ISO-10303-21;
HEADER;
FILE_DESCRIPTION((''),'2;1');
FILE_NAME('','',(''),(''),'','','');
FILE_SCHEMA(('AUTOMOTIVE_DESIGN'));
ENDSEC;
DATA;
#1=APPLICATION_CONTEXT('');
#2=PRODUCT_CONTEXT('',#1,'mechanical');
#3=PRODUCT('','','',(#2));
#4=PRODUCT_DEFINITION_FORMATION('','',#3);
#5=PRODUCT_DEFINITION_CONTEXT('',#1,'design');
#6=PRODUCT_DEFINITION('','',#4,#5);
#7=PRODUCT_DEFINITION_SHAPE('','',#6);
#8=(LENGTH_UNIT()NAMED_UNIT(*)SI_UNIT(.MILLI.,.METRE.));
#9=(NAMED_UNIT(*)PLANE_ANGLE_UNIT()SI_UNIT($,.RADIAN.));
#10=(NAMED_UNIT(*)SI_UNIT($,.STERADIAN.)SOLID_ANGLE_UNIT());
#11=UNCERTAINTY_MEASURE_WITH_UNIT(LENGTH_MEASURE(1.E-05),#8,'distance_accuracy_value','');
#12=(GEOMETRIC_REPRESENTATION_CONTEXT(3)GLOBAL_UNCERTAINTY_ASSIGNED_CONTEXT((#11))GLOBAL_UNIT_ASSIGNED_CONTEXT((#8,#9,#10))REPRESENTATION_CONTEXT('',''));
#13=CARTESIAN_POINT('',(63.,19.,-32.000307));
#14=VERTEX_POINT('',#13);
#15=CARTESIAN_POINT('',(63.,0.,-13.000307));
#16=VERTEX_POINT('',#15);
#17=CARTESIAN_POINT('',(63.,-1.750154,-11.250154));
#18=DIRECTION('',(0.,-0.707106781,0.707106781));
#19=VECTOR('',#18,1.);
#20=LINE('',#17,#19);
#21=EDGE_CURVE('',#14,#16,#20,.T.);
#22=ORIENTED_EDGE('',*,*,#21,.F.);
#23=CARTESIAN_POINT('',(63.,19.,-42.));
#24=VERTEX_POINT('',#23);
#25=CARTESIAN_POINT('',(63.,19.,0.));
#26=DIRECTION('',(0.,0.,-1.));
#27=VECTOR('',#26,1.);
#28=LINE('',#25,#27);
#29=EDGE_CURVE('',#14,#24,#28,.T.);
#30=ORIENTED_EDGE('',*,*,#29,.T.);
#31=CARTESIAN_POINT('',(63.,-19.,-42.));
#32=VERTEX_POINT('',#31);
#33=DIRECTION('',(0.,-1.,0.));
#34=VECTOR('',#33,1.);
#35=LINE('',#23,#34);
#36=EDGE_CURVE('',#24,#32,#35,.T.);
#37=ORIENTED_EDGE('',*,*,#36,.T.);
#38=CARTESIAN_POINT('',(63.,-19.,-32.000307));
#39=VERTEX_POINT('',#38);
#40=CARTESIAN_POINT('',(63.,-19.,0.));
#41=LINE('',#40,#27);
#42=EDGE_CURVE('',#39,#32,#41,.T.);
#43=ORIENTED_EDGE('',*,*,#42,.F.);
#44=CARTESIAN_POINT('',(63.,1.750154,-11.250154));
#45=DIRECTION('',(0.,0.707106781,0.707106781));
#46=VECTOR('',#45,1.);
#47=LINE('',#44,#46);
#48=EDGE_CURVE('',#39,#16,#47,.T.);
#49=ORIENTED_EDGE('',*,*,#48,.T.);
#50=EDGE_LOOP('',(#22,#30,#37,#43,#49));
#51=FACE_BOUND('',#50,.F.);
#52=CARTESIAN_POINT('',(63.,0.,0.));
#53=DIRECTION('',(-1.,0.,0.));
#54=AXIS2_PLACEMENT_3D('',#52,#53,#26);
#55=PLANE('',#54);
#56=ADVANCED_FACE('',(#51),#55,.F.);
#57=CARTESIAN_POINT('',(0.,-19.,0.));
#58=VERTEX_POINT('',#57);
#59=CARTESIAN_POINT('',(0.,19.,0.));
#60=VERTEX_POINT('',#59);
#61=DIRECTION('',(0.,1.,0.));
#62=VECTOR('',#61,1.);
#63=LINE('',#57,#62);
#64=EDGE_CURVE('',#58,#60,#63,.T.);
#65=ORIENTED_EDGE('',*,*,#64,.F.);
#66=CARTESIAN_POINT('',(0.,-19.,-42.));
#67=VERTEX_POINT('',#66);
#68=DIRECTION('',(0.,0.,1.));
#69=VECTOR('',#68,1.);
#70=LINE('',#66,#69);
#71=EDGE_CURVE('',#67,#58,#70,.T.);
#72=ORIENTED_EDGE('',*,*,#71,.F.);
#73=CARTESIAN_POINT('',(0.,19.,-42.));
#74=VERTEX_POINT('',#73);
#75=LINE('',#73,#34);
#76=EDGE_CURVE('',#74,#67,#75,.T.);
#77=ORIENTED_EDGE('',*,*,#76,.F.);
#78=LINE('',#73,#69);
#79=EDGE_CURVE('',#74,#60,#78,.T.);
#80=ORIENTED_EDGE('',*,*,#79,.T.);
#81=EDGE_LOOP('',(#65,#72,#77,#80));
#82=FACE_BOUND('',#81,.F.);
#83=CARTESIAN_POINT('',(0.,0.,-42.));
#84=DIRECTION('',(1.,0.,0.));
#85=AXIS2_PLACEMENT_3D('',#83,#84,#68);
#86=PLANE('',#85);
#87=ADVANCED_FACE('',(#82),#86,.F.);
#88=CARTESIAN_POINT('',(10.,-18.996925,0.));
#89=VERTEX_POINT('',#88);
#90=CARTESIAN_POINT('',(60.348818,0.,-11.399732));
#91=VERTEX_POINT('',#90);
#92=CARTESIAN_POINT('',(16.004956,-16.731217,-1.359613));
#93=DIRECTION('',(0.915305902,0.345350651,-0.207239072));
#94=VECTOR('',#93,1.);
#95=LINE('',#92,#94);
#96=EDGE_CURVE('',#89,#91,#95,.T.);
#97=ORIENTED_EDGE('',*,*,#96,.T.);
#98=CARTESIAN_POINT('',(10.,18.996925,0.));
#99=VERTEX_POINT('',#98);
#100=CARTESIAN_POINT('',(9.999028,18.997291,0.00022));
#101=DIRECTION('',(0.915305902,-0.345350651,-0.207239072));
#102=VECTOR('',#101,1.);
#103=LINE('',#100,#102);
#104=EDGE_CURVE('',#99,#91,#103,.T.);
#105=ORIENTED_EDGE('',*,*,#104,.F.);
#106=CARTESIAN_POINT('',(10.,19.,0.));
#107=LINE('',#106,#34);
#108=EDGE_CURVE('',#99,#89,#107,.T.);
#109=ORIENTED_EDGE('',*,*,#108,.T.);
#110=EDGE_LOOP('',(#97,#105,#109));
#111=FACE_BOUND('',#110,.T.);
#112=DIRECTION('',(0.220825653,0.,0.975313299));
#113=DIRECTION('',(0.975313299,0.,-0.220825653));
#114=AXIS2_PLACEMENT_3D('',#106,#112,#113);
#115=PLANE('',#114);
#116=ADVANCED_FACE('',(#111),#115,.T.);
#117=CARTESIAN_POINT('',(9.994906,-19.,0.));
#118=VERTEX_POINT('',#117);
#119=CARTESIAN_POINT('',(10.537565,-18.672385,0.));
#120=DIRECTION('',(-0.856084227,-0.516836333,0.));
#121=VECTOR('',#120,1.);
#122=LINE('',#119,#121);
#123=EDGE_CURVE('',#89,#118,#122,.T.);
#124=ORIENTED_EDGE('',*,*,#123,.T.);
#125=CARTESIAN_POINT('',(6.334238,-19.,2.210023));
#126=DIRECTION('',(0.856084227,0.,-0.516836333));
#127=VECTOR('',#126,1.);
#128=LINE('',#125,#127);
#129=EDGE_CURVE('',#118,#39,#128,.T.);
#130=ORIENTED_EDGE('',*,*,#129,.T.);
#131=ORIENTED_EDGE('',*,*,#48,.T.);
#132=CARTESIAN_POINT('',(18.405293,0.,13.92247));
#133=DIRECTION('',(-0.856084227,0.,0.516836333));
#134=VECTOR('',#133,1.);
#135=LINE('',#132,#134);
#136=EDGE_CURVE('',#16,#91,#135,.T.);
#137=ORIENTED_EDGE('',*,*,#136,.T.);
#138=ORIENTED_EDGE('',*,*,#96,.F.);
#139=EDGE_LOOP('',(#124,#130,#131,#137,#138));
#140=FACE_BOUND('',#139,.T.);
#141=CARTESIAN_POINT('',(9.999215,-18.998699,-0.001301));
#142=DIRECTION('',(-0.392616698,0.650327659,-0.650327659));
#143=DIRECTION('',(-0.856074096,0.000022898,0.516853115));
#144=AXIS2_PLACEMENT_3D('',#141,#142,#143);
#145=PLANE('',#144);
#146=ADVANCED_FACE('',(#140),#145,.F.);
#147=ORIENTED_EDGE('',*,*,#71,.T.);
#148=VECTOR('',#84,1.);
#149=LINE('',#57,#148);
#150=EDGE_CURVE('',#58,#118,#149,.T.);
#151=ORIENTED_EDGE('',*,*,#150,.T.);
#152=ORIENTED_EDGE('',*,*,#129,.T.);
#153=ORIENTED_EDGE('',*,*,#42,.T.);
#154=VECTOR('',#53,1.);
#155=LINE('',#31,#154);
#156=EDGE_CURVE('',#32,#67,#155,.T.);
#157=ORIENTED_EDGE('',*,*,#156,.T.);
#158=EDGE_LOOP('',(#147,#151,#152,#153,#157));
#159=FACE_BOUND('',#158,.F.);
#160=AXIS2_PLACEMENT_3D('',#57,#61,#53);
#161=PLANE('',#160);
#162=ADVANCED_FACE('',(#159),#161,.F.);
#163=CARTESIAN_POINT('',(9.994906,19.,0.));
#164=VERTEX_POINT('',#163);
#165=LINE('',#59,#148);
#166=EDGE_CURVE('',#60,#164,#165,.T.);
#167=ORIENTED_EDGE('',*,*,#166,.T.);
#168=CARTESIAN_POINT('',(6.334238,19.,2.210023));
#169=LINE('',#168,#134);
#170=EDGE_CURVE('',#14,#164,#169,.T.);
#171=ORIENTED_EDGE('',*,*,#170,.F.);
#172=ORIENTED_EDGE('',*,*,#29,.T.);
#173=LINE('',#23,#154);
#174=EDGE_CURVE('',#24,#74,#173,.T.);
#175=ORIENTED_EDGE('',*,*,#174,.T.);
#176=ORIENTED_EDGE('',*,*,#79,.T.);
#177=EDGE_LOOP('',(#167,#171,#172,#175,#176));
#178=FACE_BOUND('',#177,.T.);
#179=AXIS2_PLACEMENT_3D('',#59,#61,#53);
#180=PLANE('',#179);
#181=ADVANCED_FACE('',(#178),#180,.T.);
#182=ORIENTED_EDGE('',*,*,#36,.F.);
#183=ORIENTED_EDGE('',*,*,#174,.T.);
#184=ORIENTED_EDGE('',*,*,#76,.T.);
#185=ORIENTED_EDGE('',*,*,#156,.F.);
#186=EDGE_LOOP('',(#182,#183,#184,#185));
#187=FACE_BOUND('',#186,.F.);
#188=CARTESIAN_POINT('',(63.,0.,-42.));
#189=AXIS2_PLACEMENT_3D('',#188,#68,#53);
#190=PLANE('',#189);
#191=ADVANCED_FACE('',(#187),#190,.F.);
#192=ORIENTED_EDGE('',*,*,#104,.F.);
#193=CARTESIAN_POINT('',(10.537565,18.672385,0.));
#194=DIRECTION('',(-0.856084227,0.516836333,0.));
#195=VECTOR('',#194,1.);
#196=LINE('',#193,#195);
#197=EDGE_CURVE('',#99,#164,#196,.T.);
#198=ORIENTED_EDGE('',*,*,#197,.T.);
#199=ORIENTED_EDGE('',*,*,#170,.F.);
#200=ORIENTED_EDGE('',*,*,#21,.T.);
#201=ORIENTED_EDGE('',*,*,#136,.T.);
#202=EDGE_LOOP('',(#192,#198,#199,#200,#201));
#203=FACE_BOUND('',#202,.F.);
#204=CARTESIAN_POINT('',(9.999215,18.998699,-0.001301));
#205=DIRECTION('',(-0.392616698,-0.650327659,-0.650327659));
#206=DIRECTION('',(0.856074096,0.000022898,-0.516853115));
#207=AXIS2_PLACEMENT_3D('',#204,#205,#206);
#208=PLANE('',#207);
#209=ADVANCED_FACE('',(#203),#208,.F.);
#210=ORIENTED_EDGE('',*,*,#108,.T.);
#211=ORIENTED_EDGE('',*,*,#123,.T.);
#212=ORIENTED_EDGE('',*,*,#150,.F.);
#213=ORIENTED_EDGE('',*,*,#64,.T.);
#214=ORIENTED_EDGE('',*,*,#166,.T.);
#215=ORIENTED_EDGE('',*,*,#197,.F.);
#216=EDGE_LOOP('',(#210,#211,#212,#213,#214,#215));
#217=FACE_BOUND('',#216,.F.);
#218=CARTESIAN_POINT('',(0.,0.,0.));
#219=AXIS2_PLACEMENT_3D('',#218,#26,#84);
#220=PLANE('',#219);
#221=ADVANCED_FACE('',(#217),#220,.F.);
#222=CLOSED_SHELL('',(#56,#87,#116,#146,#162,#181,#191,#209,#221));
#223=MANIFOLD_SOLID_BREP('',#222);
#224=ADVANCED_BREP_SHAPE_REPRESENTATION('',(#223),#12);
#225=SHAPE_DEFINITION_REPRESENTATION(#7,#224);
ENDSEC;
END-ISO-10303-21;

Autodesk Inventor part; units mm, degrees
ref_plane "YZ Plane" through (0, 0, 0) normal (1, 0, 0) x (0, 1, 0)
ref_plane "XZ Plane" through (0, 0, 0) normal (0, 1, 0) x (-1, 0, 0)
sketch "草圖1" plane through (0, 0, 0) normal (0, 1, 0) x (-1, 0, 0)
  line L0 (0, 0) -> (-63, 0)
  line L1 (-63, 0) -> (-63, -42)
  line L2 (-63, -42) -> (0, -42)
  line L3 (0, -42) -> (0, 0)
  dimension "d0" = 63
  dimension "d1" = 42
extrude "擠出1" add sketch "草圖1" along normal mid plane 38
sketch "草圖2" plane through (0, 19, 0) normal (0, 1, 0) x (1, 0, 0)
  line L0 (0, 0) -> (63, 0) projected
  line L1 (10, 0) -> (63, 12)
  line L2 (63, 0) -> (63, 42) projected
  dimension "d4" = 10
  dimension "d5" = 30
extrude "擠出2" cut sketch "草圖2" against normal blind 40
sketch "草圖3" plane through (63, -19, -42) normal (1, 0, 0) x (0, 0, -1)
  line L0 (-30, 18) -> (-10, 38)
  line L1 (0, 38) -> (-42, 38) projected
  line L2 (-30, 38) -> (-30, 0) projected
  point P0 (-42, 19)
  dimension "d8" = 20
  dimension "d9" = 20
ref_plane "工作平面1" through (10, 19, 0) normal (-0.3926, -0.6503, -0.6503) x (0.8561, 0, -0.5169)
sketch "草圖4" plane through (10, 19, 0) normal (-0.3926, -0.6503, -0.6503) x (0.8561, 0, -0.5169)
  line L0 (-15.1543, -12.3218) -> (93.717, -12.3218)
  line L1 (93.717, -12.3218) -> (93.717, 28.8166)
  line L2 (93.717, 28.8166) -> (-15.1543, 28.8166)
  line L3 (-15.1543, 28.8166) -> (-15.1543, -12.3218)
  point P0 (-8.5606, 11.0723)
extrude "擠出3" cut sketch "草圖4" against normal blind 40
mirror "鏡射1" about plane through (0, 0, 0) normal (0, 1, 0) of "擠出3"
properties part number "39"
